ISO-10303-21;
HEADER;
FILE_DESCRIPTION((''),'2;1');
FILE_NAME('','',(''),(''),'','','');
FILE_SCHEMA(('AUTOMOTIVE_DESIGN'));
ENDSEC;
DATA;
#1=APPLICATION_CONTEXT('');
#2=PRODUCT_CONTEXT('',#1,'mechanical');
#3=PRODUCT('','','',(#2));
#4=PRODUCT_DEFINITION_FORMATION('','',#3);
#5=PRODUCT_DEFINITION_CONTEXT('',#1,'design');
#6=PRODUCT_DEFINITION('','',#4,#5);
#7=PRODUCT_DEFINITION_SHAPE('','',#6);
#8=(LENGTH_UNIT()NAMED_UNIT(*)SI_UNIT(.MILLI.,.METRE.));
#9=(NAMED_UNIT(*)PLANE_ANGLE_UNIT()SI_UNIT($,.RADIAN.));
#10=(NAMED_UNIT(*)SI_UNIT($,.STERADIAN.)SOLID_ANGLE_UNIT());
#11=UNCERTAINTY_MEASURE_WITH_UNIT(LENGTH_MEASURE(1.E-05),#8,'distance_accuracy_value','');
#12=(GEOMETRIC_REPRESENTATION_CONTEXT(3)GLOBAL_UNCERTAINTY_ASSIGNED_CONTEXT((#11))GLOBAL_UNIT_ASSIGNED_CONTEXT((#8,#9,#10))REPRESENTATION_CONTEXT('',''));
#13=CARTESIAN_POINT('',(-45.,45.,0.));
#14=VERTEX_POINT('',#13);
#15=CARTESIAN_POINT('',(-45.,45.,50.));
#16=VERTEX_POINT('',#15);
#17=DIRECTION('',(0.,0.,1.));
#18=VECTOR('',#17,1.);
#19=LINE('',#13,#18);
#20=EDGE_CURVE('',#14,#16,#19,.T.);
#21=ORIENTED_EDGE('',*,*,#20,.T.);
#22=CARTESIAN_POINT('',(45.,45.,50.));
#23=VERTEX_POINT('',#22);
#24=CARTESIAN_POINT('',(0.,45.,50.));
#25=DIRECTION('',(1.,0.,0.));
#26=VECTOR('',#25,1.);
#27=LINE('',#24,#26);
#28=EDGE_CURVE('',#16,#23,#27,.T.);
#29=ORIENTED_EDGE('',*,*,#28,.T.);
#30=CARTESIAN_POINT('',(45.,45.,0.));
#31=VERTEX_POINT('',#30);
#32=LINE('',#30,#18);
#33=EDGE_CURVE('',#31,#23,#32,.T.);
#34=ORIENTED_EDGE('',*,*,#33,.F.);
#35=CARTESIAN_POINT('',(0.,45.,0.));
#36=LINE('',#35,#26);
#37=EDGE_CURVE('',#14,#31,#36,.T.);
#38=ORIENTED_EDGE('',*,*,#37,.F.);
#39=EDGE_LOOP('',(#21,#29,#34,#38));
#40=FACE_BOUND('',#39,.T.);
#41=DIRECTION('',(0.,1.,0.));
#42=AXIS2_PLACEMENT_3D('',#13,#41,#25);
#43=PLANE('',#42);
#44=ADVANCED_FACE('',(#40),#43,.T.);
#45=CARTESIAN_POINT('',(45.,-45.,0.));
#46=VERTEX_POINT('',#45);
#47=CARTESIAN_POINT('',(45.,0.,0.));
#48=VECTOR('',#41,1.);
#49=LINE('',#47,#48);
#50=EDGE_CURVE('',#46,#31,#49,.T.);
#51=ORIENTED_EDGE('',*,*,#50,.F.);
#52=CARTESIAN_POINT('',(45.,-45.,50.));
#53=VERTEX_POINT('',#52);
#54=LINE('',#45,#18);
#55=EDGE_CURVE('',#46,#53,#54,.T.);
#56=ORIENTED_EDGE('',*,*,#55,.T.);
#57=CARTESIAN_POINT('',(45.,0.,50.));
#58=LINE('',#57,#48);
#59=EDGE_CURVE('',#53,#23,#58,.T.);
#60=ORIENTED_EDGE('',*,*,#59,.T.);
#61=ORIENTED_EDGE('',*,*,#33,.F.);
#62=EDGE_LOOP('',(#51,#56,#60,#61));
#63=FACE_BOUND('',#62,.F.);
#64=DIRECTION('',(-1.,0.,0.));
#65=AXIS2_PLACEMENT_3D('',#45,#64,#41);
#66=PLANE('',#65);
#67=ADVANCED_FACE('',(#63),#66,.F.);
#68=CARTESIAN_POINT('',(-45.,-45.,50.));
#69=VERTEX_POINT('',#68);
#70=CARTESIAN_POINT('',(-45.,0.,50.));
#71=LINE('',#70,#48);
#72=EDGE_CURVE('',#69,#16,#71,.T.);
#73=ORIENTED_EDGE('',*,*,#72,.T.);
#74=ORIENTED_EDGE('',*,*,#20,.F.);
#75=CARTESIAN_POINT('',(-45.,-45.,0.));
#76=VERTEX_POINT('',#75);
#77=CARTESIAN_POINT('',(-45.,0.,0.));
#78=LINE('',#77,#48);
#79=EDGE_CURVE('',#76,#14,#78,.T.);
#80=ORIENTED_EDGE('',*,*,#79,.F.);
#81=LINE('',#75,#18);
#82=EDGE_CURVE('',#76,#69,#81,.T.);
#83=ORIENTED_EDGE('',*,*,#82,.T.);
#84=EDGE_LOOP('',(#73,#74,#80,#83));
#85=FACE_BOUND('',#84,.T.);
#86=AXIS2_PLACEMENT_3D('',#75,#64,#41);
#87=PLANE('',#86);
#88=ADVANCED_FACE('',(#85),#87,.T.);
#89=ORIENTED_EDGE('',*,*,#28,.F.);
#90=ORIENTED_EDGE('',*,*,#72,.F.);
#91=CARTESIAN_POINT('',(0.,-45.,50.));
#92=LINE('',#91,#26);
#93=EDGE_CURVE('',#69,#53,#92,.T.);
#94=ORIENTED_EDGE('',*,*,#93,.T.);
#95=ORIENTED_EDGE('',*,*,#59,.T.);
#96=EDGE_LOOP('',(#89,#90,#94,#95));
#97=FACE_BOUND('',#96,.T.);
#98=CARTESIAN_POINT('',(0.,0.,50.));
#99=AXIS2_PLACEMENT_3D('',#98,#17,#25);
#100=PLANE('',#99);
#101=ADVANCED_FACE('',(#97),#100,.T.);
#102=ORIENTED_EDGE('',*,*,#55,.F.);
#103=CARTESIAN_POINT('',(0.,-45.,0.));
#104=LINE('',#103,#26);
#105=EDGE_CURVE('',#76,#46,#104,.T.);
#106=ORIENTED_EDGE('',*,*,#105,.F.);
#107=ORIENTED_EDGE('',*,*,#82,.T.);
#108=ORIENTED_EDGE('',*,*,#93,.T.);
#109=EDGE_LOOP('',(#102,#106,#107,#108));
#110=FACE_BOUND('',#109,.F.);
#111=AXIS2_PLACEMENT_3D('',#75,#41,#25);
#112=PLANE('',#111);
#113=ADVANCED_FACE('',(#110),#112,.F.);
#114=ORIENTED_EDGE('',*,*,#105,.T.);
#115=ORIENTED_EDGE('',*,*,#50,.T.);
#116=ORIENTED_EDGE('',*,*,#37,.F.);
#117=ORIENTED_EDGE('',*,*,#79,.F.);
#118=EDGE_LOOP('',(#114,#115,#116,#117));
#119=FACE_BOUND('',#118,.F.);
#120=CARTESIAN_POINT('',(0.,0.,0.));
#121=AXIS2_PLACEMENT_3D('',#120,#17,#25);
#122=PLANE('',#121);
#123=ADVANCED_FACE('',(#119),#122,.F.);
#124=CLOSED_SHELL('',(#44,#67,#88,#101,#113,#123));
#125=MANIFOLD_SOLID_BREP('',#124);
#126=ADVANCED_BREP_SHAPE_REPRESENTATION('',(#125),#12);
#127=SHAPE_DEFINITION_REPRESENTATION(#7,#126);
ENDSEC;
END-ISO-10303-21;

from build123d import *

# Parameters (mm, degrees)
SKETCH_W      = 90
SKETCH_H      = 90
EXTRUDE_DEPTH = 50


with BuildPart() as part:
    # Sketch → Extrude (new body)
    with BuildSketch(Plane.XY):
        Rectangle(SKETCH_W, SKETCH_H)
    extrude(amount=EXTRUDE_DEPTH)


solid = part.part
